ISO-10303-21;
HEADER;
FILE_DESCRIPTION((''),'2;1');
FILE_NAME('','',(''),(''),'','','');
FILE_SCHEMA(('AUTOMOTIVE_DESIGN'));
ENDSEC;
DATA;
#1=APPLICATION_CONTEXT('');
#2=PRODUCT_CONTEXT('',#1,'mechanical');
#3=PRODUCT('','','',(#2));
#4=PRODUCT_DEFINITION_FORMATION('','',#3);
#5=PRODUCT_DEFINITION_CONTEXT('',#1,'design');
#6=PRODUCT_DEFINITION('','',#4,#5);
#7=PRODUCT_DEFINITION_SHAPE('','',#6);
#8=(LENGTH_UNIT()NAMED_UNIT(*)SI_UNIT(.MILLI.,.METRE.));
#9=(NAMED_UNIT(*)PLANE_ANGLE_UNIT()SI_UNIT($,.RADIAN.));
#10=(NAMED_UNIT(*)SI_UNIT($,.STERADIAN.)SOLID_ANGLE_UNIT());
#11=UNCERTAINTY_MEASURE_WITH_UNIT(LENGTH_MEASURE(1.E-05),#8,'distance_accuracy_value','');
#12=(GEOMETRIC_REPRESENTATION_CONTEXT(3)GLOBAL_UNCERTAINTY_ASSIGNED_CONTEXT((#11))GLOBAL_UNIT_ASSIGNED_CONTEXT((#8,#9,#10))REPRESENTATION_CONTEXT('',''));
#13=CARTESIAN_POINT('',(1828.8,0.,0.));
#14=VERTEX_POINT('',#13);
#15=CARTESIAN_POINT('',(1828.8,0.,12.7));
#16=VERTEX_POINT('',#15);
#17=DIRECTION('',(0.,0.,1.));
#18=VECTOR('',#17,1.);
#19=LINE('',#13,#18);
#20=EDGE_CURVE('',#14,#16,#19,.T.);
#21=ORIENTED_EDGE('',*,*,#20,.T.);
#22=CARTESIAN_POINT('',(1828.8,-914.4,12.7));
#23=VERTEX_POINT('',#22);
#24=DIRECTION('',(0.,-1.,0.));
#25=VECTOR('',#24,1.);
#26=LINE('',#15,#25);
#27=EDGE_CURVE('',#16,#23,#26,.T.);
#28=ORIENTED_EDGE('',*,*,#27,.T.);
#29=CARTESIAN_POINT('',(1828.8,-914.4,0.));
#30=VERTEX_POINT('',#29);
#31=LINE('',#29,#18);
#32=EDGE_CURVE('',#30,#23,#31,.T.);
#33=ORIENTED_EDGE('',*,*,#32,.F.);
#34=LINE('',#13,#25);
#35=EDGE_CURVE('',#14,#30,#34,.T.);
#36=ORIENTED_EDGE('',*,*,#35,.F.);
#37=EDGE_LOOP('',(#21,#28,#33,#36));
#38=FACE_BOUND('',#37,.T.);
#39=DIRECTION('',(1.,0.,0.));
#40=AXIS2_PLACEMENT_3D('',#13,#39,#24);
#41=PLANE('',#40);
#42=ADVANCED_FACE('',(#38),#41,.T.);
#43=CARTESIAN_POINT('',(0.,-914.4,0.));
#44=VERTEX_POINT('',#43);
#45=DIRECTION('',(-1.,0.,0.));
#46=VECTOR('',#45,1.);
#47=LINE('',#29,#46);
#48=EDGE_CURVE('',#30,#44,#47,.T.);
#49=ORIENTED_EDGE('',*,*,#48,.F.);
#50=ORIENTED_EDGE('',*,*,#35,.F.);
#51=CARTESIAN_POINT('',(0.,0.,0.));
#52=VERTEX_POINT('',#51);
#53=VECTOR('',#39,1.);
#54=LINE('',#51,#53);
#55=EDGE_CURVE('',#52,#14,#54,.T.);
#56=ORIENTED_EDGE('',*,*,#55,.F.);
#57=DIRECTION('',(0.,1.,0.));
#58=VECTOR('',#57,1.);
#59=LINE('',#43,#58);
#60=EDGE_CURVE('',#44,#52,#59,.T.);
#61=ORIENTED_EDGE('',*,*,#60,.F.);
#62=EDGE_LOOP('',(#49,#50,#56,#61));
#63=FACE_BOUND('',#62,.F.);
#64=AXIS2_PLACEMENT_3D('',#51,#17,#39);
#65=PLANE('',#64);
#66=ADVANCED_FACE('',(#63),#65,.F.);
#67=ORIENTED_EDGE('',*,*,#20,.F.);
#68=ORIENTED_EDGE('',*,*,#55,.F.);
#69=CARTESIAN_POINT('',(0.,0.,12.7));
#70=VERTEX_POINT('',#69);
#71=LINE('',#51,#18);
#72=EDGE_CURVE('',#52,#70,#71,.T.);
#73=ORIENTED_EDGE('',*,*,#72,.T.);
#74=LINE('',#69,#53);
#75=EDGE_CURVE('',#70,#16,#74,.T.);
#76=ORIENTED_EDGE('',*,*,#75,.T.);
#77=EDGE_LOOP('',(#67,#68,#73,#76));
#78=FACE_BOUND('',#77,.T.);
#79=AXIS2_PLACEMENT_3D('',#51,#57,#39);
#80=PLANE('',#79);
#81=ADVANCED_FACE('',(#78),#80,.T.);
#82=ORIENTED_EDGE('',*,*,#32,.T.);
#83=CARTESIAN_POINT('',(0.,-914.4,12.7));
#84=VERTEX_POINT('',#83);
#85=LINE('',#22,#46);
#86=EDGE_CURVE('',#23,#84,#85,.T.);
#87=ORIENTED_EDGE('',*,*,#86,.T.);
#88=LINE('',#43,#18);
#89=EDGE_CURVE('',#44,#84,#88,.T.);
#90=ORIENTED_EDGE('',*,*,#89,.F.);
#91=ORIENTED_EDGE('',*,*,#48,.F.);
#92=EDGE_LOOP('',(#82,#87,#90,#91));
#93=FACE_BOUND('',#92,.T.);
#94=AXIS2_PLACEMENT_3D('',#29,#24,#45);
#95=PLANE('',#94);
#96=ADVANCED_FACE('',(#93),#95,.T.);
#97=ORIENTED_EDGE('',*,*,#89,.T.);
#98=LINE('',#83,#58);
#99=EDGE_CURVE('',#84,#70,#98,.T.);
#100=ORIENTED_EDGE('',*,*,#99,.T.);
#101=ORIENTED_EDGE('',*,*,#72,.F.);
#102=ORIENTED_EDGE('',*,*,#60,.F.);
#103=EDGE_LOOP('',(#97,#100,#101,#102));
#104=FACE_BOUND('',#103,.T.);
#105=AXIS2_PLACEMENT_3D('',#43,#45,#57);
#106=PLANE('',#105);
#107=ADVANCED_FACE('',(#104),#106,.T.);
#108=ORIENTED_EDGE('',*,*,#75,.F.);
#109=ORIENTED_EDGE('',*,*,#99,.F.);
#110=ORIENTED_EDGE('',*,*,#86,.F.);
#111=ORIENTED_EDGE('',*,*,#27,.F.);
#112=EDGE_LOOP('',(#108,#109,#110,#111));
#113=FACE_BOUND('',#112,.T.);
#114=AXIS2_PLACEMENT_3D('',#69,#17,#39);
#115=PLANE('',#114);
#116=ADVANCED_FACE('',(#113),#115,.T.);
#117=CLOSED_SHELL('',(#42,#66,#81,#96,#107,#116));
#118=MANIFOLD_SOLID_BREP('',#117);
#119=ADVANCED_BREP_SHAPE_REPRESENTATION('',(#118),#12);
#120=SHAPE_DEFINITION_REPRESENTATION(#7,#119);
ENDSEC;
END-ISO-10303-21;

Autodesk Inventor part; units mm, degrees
ref_plane "YZ Plane" through (0, 0, 0) normal (1, 0, 0) x (0, 1, 0)
ref_plane "XZ Plane" through (0, 0, 0) normal (0, 1, 0) x (-1, 0, 0)
ref_plane "XY Plane" through (0, 0, 0) normal (0, 0, 1) x (1, 0, 0)
sketch "Sketch1" plane through (0, 0, 0) normal (0, 0, 1) x (1, 0, 0)
  line L0 (0, 0) -> (1828.8, 0)
  line L1 (1828.8, 0) -> (1828.8, -914.4)
  line L2 (1828.8, -914.4) -> (0, -914.4)
  line L3 (0, -914.4) -> (0, 0)
  dimension "d0" = 1828.8
  dimension "d1" = 914.4
extrude "Extrusion1" add sketch "Sketch1" along normal blind 12.7
properties part number "base long wall back new"
